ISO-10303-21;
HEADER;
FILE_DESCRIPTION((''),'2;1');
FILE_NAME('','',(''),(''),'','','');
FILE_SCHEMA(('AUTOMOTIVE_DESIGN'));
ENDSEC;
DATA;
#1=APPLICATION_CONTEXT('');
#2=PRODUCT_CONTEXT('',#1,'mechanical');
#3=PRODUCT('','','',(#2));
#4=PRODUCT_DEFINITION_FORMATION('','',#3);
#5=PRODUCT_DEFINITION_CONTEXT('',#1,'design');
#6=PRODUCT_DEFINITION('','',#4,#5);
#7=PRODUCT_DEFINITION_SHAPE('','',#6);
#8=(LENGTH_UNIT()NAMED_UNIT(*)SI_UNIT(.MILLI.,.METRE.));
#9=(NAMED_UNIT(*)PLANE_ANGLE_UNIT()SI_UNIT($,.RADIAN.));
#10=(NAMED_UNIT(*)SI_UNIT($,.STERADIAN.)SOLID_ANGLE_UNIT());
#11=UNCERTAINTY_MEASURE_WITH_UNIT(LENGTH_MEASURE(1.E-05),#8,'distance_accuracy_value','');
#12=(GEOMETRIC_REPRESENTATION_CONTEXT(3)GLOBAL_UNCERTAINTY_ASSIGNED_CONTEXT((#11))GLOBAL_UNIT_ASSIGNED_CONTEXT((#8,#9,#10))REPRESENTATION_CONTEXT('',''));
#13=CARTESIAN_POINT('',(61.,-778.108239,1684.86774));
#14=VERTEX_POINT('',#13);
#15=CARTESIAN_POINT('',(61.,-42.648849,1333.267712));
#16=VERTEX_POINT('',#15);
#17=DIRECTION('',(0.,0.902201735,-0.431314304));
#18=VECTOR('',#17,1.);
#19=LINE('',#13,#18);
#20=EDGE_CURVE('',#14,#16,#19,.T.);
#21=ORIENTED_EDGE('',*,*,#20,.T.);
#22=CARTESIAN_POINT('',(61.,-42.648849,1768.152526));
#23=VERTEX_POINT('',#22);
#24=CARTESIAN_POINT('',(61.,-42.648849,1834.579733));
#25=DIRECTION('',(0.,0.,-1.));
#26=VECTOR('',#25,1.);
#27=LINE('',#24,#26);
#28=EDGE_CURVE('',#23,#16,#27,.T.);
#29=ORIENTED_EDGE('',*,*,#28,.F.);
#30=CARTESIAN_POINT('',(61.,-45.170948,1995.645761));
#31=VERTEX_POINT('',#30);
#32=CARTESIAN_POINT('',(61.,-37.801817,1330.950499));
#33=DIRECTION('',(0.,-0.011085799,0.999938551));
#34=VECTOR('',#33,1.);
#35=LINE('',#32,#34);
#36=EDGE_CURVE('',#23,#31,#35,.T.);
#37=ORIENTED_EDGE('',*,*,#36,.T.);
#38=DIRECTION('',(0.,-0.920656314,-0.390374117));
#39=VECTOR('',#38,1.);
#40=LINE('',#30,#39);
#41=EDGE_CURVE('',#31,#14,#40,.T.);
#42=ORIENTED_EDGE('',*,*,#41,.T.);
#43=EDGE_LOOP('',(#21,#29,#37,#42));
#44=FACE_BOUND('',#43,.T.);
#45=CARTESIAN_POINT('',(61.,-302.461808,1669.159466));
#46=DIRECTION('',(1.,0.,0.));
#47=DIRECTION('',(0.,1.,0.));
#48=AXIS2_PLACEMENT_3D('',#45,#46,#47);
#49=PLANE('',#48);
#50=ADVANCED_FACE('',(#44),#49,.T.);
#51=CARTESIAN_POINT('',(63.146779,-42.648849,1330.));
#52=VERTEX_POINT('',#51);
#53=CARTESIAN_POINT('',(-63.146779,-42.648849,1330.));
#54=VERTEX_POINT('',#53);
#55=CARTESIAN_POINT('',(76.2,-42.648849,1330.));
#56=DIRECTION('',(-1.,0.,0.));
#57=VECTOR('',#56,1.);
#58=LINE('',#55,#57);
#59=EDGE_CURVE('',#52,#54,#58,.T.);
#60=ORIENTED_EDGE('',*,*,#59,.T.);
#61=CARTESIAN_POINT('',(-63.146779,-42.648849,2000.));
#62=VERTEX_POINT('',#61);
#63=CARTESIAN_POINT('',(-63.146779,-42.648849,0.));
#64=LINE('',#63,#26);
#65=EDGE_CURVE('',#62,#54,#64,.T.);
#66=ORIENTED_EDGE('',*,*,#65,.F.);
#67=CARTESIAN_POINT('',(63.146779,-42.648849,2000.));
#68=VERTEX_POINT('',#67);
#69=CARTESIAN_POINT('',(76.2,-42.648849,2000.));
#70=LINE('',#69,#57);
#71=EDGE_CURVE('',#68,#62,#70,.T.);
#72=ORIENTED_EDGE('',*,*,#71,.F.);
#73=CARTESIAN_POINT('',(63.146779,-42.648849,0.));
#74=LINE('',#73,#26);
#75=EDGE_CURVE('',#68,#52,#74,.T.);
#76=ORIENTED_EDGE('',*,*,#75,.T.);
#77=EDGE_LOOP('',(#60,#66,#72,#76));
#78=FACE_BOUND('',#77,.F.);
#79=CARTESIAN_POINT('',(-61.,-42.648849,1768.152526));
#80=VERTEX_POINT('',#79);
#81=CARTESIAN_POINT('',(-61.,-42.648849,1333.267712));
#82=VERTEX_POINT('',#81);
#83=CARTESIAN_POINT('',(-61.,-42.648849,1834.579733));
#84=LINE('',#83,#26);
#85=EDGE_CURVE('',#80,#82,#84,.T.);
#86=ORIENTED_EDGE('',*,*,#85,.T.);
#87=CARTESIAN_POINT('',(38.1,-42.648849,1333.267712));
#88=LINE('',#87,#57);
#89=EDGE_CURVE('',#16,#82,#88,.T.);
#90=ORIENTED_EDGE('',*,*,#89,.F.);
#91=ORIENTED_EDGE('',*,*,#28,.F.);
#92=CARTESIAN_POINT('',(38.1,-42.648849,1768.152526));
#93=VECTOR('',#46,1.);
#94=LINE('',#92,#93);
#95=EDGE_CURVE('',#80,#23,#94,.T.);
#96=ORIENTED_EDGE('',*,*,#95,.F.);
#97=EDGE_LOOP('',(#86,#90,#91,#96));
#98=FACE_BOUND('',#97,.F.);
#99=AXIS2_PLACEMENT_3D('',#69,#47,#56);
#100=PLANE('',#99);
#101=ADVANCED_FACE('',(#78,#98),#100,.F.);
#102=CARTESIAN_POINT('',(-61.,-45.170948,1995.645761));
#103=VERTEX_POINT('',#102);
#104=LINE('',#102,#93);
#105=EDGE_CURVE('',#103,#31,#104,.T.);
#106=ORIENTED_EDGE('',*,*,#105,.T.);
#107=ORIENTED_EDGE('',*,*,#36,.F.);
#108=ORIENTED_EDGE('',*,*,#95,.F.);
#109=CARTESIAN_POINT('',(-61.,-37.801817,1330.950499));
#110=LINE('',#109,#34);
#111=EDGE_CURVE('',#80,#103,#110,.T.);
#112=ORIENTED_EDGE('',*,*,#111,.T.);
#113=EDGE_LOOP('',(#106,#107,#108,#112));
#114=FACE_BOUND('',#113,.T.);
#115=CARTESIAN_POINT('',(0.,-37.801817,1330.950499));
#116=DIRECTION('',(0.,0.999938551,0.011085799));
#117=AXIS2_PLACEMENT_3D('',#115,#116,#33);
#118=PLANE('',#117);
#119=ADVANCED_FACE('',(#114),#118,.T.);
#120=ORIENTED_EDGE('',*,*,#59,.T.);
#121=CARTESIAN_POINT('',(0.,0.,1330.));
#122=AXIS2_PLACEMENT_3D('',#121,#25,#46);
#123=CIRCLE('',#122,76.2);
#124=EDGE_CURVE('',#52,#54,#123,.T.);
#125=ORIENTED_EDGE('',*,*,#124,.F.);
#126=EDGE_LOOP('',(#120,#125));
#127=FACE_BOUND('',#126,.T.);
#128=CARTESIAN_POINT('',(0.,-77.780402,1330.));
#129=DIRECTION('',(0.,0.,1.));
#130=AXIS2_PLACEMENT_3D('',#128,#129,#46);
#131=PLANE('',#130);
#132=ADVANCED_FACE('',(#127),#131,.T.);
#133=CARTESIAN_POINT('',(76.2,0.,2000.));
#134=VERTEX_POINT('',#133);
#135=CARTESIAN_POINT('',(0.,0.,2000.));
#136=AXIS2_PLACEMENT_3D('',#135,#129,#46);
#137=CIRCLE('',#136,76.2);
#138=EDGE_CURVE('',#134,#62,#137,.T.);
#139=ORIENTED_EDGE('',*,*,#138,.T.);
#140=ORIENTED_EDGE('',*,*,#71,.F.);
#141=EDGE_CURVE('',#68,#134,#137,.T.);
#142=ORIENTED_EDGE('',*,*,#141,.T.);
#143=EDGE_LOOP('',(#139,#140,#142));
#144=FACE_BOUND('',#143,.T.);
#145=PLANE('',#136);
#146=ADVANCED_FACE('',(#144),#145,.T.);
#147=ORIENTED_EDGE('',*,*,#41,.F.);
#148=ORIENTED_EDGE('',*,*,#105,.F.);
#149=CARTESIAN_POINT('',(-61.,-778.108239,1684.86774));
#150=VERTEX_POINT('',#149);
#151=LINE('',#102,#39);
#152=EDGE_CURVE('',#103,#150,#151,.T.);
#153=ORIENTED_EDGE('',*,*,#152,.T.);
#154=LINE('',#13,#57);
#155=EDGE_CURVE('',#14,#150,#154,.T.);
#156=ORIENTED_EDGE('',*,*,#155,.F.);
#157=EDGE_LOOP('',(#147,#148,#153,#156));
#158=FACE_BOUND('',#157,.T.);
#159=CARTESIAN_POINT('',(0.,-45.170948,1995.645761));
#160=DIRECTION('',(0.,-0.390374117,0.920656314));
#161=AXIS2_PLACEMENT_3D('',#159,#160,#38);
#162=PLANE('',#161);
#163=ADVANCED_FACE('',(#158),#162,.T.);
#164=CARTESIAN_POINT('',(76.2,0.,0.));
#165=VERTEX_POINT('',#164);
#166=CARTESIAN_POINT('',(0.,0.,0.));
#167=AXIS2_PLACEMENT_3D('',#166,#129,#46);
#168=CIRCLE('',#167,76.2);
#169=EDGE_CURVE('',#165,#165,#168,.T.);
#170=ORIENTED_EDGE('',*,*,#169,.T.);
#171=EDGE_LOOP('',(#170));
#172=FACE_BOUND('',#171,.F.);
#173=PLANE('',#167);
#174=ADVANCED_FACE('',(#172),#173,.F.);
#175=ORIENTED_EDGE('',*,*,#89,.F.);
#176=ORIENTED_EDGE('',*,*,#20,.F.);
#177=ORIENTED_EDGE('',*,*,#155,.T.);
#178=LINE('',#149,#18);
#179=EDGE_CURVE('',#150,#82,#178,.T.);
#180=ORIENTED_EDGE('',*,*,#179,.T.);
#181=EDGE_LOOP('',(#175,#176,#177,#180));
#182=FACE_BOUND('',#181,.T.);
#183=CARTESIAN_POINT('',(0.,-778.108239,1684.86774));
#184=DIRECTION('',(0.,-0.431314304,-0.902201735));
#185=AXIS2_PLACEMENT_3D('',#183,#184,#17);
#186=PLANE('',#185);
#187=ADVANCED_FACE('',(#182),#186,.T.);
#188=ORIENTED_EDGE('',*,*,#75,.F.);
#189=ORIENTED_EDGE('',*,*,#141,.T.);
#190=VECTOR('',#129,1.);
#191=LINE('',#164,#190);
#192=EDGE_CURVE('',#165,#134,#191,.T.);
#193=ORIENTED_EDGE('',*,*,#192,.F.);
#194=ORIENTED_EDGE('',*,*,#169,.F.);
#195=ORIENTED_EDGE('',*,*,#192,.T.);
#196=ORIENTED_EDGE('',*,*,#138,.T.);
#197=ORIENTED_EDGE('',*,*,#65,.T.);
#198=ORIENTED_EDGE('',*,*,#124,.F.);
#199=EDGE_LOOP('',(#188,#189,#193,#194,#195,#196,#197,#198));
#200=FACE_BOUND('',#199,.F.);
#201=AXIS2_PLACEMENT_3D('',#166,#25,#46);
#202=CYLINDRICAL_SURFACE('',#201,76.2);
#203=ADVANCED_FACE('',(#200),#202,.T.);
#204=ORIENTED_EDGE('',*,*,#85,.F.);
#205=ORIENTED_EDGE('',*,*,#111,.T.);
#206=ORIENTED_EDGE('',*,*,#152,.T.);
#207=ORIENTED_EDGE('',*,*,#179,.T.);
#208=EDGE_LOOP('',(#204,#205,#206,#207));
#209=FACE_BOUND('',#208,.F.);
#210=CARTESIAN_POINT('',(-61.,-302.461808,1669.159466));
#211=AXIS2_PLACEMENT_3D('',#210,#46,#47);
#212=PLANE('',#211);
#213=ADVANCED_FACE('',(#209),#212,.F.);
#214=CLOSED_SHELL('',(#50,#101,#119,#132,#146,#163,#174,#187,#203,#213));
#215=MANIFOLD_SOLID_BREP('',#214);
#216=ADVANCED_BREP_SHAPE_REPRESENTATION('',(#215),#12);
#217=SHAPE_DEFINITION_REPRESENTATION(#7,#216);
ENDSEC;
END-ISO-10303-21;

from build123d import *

# Parameters (mm, degrees)
F0_R     = 76.2
F1_DEPTH = 2000
F3_DEPTH = 670
F5_DEPTH = 61


with BuildPart() as f1:
    # F0 (on Top) → F1 (new body)
    with BuildSketch(Plane.XY):
        Circle(F0_R)
    extrude(amount=F1_DEPTH)

    # F2 (on face) → F3 (cut)
    with BuildSketch(Plane.XY.offset(2000)):
        with BuildLine():
            Line((-63.1467790732, -42.6488486677), (-76.2, -42.6488486677))
            Line((-76.2, -42.6488486677), (-76.2, -102.6488486677))
            Line((-76.2, -102.6488486677), (76.2, -102.6488486677))
            Line((76.2, -102.6488486677), (76.2, -42.6488486677))
            Line((76.2, -42.6488486677), (63.1467790732, -42.6488486677))
            ThreePointArc((63.1467790732, -42.6488486677), (0, -76.2), (-63.1467790732, -42.6488486677))
        make_face()
        with BuildLine():
            Line((63.1467790732, -42.6488486677), (-63.1467790732, -42.6488486677))
            ThreePointArc((-63.1467790732, -42.6488486677), (0, -76.2), (63.1467790732, -42.6488486677))
        make_face()
    extrude(amount=-F3_DEPTH, mode=Mode.SUBTRACT)

    # F4 (on Right) → F5 (join, symmetric)
    with BuildSketch(Plane.YZ):
        Polygon((-37.8018170595, 1330.9504985809), (-45.1709479094, 1995.6457614899), (-778.1082391739, 1684.8677396774), align=None)
    extrude(amount=F5_DEPTH, both=True)


solid = f1.part
